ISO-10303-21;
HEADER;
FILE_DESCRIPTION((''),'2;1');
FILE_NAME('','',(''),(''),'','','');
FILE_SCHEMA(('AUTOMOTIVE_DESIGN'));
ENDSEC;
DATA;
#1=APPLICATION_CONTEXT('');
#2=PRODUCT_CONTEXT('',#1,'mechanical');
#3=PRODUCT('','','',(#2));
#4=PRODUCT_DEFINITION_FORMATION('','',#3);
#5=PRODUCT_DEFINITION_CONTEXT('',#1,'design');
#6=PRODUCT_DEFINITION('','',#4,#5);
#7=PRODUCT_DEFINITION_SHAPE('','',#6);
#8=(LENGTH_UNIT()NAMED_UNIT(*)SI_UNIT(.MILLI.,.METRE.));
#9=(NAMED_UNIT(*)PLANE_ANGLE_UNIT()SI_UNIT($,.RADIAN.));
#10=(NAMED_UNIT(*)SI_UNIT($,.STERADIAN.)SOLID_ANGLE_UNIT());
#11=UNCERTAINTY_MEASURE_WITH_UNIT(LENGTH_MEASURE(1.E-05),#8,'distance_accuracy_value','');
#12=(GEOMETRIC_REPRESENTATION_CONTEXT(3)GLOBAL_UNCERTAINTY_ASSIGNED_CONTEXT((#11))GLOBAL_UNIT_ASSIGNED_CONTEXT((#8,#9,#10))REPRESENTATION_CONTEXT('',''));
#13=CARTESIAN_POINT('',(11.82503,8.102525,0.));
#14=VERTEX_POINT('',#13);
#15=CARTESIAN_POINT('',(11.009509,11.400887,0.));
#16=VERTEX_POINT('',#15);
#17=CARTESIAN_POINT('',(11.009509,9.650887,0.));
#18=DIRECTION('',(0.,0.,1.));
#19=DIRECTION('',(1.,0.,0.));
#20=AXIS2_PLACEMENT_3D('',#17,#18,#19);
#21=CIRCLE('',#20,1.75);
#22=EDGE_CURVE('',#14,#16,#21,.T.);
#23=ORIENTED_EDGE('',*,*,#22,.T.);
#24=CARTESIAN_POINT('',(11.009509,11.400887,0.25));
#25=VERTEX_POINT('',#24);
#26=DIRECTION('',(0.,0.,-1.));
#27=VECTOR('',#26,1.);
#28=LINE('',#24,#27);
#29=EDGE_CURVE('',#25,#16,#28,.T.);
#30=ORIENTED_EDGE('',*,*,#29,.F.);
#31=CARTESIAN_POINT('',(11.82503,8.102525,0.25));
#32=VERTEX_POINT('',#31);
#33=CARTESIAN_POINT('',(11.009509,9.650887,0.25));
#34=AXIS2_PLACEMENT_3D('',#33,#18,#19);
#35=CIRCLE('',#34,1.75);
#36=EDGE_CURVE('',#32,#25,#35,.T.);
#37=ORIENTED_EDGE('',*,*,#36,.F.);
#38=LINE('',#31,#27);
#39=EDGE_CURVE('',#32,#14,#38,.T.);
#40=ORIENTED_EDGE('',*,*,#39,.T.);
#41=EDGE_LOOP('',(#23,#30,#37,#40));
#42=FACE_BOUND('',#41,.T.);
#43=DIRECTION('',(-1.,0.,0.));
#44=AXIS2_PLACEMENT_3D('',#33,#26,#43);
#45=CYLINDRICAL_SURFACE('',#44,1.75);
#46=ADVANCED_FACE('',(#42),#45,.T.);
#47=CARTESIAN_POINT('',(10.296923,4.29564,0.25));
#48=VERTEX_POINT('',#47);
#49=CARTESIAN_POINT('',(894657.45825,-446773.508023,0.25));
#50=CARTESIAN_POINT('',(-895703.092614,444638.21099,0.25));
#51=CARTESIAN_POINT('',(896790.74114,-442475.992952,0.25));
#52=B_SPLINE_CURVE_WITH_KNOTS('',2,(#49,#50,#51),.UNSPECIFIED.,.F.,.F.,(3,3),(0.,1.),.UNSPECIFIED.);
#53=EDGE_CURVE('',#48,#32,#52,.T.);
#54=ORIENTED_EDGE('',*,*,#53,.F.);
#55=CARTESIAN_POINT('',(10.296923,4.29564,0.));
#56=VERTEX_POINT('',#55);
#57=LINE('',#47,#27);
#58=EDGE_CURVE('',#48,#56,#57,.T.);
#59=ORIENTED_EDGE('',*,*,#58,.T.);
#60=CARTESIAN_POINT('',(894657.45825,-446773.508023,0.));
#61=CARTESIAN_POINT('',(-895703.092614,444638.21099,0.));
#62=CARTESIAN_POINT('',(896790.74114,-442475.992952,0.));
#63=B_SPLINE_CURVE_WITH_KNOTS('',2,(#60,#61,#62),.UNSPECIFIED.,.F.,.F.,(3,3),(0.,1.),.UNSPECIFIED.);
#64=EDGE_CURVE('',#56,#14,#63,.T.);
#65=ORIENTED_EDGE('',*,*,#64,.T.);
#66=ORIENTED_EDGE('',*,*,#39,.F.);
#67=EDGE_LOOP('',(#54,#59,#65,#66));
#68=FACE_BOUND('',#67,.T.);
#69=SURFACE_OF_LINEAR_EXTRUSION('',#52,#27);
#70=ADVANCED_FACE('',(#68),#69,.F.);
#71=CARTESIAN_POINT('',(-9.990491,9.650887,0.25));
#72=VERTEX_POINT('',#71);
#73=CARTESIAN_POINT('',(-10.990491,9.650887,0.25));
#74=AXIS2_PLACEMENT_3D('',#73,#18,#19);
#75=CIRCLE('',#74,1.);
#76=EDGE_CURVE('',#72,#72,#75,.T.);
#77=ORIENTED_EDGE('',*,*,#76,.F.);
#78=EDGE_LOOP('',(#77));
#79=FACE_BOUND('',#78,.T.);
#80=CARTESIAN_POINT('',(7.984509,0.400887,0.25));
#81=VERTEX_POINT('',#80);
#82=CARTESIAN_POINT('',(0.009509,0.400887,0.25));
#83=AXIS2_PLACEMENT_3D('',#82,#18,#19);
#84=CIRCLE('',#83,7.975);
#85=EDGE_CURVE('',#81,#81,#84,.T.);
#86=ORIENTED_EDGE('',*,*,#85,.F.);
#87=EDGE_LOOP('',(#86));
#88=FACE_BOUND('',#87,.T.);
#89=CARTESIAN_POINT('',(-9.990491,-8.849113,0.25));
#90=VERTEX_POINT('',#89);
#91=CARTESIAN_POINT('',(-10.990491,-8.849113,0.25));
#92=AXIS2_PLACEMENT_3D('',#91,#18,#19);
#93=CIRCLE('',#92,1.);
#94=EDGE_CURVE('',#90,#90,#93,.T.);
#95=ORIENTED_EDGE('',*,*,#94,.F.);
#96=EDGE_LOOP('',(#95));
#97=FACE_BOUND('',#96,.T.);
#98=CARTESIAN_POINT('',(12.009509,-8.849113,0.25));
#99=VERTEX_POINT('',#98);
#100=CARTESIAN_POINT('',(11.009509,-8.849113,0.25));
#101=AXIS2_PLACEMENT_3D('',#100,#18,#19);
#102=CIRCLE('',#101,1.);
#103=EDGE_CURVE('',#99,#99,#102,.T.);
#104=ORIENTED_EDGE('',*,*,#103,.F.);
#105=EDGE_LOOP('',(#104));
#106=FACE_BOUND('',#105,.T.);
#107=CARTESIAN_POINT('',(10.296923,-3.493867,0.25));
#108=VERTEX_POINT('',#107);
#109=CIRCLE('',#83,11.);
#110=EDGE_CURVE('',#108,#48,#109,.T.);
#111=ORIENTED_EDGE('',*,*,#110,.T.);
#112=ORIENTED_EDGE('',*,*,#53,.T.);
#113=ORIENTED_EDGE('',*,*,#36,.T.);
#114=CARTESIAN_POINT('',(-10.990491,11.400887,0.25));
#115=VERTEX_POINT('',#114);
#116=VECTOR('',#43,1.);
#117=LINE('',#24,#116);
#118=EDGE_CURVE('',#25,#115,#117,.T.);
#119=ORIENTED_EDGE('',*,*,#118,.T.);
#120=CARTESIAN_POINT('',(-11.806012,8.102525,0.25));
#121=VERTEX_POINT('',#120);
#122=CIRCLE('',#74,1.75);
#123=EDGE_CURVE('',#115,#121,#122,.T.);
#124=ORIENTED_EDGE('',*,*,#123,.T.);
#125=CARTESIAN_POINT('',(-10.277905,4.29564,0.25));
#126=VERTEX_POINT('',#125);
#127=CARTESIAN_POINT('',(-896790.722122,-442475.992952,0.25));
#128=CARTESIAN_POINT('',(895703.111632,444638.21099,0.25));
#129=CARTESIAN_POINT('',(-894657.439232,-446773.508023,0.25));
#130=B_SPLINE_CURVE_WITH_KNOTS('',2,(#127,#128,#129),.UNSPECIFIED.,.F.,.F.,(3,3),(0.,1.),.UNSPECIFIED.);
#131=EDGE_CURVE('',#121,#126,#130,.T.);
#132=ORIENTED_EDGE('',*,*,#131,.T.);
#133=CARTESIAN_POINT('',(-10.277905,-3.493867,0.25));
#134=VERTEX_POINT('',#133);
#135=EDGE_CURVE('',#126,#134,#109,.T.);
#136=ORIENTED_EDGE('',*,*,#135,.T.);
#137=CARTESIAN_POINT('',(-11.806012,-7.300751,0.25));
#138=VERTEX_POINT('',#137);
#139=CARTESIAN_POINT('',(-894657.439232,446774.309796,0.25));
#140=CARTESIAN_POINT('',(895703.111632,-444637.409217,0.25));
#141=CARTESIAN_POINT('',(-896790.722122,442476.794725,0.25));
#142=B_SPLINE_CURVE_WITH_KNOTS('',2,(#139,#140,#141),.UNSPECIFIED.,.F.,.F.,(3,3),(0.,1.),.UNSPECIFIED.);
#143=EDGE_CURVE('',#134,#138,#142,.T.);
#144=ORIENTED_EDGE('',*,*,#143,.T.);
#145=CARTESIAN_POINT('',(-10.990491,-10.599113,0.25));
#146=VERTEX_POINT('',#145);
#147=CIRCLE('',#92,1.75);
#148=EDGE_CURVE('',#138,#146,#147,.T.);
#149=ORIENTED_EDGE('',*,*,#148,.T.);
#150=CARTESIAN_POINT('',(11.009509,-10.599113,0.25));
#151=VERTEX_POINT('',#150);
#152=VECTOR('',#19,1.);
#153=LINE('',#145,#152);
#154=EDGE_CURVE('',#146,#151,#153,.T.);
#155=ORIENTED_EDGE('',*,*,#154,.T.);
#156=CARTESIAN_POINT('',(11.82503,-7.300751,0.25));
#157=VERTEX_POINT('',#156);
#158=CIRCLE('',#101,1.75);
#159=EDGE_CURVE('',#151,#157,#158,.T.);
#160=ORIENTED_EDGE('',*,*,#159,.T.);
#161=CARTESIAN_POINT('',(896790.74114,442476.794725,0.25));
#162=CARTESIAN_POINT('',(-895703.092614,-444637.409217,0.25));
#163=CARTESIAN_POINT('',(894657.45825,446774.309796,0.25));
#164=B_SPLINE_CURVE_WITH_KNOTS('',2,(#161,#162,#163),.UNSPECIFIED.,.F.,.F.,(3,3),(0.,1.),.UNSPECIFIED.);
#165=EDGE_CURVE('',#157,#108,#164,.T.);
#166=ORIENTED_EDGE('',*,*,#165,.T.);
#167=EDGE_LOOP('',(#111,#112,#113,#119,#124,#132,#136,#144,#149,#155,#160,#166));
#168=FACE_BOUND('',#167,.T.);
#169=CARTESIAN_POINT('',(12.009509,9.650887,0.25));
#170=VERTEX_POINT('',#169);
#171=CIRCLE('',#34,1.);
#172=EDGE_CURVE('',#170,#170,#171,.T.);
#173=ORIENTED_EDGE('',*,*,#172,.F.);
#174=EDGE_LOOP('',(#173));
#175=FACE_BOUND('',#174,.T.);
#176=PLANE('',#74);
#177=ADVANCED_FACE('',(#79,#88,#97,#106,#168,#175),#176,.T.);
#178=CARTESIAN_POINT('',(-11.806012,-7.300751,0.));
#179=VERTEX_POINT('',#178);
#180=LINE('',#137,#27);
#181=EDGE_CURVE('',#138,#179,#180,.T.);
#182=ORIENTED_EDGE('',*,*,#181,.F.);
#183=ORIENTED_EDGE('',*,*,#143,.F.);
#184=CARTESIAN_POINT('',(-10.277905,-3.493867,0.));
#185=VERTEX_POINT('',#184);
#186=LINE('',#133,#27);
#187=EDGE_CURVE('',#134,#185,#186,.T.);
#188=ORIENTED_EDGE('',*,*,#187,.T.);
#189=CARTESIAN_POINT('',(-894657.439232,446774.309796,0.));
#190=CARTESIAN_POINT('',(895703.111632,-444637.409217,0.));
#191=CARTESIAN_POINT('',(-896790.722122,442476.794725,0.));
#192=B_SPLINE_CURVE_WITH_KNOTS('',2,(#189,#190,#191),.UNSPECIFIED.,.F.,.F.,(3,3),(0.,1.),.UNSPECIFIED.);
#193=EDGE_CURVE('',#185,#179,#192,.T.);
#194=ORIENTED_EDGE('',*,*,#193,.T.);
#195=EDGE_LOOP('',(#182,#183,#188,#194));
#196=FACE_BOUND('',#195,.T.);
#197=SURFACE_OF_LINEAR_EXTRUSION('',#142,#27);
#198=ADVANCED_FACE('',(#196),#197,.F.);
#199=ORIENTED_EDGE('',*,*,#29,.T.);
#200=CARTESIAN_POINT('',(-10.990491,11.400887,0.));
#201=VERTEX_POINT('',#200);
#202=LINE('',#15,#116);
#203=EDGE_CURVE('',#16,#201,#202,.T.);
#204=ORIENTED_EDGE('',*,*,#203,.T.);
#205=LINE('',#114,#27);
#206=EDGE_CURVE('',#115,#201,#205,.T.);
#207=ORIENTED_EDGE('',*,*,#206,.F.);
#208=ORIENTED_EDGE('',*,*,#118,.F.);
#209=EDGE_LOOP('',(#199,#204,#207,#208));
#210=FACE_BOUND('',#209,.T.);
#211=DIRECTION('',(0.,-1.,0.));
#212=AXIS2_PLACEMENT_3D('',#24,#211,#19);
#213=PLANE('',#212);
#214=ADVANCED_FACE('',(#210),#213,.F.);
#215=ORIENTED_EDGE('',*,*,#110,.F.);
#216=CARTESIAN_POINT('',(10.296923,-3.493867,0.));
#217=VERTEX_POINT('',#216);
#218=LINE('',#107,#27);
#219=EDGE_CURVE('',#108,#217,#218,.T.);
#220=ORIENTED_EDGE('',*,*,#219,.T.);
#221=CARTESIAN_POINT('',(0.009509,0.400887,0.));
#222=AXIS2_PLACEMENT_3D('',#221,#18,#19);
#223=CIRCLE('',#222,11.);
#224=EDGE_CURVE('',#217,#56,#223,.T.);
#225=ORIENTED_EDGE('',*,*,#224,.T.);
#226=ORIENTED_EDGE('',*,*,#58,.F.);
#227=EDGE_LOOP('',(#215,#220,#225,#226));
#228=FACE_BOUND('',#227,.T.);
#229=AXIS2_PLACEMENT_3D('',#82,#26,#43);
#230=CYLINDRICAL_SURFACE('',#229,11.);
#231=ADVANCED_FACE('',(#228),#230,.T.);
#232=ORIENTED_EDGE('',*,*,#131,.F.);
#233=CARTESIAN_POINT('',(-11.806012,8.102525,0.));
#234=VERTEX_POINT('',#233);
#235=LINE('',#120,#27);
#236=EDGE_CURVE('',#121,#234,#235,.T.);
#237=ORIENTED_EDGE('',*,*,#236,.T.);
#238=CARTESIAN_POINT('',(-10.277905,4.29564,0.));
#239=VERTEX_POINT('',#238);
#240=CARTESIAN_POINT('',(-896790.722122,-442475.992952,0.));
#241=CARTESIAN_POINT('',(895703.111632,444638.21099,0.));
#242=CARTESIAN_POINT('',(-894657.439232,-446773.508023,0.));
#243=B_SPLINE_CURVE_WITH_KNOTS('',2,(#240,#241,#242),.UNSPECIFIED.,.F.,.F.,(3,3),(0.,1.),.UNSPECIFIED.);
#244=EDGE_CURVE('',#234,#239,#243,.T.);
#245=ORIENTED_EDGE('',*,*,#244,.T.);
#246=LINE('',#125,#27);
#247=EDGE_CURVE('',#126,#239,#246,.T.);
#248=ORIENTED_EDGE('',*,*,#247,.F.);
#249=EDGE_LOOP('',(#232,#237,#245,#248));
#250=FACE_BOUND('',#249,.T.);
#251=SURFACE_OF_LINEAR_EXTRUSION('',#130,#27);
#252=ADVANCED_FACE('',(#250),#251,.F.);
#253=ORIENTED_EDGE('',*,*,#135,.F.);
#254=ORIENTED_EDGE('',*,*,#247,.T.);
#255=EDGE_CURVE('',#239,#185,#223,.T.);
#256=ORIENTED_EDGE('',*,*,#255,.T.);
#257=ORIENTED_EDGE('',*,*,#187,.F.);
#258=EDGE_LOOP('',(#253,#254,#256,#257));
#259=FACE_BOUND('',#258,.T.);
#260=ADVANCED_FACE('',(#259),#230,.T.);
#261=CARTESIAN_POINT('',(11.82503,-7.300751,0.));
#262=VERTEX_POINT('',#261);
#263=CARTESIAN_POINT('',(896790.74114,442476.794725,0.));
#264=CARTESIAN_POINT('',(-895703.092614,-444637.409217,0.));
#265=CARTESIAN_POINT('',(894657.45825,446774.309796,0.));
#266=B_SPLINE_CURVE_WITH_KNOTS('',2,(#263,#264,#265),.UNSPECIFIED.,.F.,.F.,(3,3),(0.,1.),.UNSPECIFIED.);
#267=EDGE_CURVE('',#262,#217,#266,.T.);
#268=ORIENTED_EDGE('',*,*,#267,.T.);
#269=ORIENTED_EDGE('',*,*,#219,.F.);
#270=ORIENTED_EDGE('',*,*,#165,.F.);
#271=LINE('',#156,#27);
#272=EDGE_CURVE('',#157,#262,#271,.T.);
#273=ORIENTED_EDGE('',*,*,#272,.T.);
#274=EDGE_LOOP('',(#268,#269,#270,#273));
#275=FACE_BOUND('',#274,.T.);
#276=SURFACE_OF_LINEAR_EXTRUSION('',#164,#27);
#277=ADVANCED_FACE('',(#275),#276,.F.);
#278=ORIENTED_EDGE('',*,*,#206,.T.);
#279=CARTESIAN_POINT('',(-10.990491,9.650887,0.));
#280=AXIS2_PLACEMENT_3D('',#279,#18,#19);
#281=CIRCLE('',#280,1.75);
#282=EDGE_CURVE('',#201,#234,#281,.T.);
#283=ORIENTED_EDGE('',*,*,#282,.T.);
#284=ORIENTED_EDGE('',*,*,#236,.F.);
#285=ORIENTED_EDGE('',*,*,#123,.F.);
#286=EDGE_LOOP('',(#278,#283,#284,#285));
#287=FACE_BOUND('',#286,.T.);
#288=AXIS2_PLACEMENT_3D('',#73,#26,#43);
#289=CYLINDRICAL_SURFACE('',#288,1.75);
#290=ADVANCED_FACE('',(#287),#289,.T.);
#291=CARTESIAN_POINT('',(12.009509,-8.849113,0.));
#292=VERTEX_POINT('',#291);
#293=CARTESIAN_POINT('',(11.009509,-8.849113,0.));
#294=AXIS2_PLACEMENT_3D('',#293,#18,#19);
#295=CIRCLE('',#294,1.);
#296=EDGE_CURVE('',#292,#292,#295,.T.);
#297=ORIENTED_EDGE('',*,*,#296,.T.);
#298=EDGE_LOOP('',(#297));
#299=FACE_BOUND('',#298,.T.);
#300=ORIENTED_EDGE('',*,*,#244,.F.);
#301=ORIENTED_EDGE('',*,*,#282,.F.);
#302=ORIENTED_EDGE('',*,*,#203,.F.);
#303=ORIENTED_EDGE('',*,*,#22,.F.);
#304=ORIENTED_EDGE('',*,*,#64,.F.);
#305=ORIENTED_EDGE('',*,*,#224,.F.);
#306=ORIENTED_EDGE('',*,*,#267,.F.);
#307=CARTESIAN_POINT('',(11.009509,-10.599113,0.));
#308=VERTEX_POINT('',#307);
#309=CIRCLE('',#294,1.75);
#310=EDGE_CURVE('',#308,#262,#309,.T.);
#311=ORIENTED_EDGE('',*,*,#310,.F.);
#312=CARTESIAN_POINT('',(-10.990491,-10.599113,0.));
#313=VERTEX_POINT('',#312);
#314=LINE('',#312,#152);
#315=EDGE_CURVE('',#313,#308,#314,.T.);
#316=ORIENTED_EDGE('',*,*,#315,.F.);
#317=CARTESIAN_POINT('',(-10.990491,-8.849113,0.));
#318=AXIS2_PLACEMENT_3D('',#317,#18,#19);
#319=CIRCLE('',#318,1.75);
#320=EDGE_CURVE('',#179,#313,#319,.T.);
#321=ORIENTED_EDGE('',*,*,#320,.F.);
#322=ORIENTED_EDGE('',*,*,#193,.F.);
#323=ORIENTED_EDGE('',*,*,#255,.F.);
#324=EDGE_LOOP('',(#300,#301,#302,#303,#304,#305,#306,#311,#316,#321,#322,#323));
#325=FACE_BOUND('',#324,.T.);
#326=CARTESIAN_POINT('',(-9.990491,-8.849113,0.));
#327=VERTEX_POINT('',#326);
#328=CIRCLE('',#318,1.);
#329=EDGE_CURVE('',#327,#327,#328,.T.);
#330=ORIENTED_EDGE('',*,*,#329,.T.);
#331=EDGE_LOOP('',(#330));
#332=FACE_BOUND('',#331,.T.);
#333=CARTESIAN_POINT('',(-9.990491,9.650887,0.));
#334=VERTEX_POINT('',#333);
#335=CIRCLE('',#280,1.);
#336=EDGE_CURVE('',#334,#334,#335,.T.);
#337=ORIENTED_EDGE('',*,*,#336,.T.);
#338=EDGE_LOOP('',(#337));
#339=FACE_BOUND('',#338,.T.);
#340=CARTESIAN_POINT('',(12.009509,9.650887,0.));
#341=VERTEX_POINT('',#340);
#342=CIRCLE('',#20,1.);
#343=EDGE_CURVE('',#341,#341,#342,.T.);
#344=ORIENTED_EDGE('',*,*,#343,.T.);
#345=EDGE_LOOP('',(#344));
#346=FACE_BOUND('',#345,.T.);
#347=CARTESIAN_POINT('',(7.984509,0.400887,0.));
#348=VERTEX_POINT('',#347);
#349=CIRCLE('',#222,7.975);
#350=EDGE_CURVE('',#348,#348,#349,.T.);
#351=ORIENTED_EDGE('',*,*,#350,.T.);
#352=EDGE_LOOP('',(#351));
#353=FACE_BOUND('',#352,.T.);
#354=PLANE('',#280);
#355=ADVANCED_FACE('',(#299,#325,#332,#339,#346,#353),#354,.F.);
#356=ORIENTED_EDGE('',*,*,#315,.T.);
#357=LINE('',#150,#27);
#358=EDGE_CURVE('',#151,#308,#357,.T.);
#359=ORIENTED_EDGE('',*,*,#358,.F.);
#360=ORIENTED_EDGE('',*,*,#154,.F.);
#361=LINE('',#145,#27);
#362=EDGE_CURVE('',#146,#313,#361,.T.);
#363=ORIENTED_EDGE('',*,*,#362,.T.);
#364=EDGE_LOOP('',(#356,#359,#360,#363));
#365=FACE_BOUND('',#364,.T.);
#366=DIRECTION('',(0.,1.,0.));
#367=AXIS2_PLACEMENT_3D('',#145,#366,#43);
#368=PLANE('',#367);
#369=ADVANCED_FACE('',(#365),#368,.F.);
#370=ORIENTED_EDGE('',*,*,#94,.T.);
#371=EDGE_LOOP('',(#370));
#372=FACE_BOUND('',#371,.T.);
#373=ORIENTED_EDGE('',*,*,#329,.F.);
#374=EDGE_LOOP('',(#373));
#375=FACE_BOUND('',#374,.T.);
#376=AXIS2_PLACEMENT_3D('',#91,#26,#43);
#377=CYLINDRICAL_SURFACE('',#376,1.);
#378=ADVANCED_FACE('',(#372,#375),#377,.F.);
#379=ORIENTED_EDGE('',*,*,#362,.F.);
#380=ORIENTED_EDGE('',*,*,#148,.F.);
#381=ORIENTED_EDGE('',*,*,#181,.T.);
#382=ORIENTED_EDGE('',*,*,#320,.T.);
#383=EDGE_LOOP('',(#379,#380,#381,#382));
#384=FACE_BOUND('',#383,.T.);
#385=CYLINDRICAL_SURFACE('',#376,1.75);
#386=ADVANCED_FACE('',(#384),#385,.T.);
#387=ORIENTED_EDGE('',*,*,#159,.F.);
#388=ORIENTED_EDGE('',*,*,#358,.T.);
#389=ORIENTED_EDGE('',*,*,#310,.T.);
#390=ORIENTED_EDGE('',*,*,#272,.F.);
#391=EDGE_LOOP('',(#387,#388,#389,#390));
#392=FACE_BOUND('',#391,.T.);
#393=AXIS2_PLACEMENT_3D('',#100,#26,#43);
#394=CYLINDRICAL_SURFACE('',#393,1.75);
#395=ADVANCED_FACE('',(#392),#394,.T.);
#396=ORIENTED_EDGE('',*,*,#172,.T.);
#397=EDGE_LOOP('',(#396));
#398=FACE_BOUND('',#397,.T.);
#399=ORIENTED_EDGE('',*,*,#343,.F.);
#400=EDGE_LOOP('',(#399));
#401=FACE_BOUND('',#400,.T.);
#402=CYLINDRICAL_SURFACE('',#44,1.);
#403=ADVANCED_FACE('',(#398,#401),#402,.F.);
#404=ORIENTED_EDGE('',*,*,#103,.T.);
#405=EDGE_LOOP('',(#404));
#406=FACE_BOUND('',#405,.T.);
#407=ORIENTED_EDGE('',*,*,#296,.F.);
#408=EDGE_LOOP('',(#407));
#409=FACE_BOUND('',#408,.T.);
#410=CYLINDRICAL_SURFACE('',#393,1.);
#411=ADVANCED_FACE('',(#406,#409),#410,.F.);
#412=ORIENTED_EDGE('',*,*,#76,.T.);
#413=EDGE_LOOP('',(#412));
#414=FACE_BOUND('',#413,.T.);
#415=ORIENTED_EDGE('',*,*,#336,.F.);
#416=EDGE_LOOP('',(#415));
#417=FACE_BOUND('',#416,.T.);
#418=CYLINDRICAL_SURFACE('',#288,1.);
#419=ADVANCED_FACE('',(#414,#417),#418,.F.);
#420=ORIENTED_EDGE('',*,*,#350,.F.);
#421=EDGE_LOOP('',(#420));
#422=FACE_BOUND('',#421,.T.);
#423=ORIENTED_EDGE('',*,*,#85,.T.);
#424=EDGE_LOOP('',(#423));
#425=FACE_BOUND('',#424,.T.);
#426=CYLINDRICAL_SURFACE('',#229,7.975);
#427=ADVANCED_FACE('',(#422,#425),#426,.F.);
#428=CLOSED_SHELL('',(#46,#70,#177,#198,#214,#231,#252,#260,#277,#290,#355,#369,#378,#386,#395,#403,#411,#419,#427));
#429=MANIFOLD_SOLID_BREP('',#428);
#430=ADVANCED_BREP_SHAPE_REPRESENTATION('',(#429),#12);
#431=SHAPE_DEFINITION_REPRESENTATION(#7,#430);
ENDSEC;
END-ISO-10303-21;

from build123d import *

# Parameters (mm, degrees)
SKETCH2_R           = 1
SKETCH2_R_2         = 7.975
BOSS_EXTRUDE1_DEPTH = 0.25


with BuildPart() as part:
    # Sketch2 → Boss-Extrude1 (new body)
    with BuildSketch(Plane.XY):
        with BuildLine():
            Line((-10.99049083, -10.599113396), (11.00950917, -10.599113396))
            ThreePointArc((11.00950917, -10.599113396), (12.70835196, -9.26915289), (11.825030389, -7.300751312))
            add(Edge.make_bspline(
                [(11.825030389, -7.300751312), (9.759593251, -6.043315053), (10.296923436, -3.493867271)],
                knots=[0, 0, 0, 1, 1, 1], degree=2))
            ThreePointArc((10.296923436, -3.493867271), (11.009509171, 0.400886603), (10.296923436, 4.295640477))
            add(Edge.make_bspline(
                [(10.296923436, 4.295640477), (9.75959325, 6.845088261), (11.825030389, 8.102524521)],
                knots=[0, 0, 0, 1, 1, 1], degree=2))
            ThreePointArc((11.825030389, 8.102524521), (12.70835196, 10.070926099), (11.00950917, 11.400886604))
            Line((11.00950917, 11.400886604), (-10.99049083, 11.400886604))
            ThreePointArc((-10.99049083, 11.400886604), (-12.689333619, 10.070926099), (-11.806012048, 8.102524521))
            add(Edge.make_bspline(
                [(-11.806012048, 8.102524521), (-9.740574911, 6.845088262), (-10.277905095, 4.29564048)],
                knots=[0, 0, 0, 1, 1, 1], degree=2))
            ThreePointArc((-10.277905095, 4.29564048), (-10.99049083, 0.400886606), (-10.277905095, -3.493867268))
            add(Edge.make_bspline(
                [(-10.277905095, -3.493867268), (-9.740574909, -6.043315053), (-11.806012048, -7.300751312)],
                knots=[0, 0, 0, 1, 1, 1], degree=2))
            ThreePointArc((-11.806012048, -7.300751312), (-12.689333619, -9.26915289), (-10.99049083, -10.599113396))
        make_face()
        with Locations((11.00950917, 9.650886604)):
            Circle(SKETCH2_R, mode=Mode.SUBTRACT)
        with Locations((-10.99049083, 9.650886604)):
            Circle(SKETCH2_R, mode=Mode.SUBTRACT)
        with Locations((11.00950917, -8.849113396)):
            Circle(SKETCH2_R, mode=Mode.SUBTRACT)
        with Locations((-10.99049083, -8.849113396)):
            Circle(SKETCH2_R, mode=Mode.SUBTRACT)
        with Locations((0.00950917, 0.400886604)):
            Circle(SKETCH2_R_2, mode=Mode.SUBTRACT)
    extrude(amount=BOSS_EXTRUDE1_DEPTH)


solid = part.part
